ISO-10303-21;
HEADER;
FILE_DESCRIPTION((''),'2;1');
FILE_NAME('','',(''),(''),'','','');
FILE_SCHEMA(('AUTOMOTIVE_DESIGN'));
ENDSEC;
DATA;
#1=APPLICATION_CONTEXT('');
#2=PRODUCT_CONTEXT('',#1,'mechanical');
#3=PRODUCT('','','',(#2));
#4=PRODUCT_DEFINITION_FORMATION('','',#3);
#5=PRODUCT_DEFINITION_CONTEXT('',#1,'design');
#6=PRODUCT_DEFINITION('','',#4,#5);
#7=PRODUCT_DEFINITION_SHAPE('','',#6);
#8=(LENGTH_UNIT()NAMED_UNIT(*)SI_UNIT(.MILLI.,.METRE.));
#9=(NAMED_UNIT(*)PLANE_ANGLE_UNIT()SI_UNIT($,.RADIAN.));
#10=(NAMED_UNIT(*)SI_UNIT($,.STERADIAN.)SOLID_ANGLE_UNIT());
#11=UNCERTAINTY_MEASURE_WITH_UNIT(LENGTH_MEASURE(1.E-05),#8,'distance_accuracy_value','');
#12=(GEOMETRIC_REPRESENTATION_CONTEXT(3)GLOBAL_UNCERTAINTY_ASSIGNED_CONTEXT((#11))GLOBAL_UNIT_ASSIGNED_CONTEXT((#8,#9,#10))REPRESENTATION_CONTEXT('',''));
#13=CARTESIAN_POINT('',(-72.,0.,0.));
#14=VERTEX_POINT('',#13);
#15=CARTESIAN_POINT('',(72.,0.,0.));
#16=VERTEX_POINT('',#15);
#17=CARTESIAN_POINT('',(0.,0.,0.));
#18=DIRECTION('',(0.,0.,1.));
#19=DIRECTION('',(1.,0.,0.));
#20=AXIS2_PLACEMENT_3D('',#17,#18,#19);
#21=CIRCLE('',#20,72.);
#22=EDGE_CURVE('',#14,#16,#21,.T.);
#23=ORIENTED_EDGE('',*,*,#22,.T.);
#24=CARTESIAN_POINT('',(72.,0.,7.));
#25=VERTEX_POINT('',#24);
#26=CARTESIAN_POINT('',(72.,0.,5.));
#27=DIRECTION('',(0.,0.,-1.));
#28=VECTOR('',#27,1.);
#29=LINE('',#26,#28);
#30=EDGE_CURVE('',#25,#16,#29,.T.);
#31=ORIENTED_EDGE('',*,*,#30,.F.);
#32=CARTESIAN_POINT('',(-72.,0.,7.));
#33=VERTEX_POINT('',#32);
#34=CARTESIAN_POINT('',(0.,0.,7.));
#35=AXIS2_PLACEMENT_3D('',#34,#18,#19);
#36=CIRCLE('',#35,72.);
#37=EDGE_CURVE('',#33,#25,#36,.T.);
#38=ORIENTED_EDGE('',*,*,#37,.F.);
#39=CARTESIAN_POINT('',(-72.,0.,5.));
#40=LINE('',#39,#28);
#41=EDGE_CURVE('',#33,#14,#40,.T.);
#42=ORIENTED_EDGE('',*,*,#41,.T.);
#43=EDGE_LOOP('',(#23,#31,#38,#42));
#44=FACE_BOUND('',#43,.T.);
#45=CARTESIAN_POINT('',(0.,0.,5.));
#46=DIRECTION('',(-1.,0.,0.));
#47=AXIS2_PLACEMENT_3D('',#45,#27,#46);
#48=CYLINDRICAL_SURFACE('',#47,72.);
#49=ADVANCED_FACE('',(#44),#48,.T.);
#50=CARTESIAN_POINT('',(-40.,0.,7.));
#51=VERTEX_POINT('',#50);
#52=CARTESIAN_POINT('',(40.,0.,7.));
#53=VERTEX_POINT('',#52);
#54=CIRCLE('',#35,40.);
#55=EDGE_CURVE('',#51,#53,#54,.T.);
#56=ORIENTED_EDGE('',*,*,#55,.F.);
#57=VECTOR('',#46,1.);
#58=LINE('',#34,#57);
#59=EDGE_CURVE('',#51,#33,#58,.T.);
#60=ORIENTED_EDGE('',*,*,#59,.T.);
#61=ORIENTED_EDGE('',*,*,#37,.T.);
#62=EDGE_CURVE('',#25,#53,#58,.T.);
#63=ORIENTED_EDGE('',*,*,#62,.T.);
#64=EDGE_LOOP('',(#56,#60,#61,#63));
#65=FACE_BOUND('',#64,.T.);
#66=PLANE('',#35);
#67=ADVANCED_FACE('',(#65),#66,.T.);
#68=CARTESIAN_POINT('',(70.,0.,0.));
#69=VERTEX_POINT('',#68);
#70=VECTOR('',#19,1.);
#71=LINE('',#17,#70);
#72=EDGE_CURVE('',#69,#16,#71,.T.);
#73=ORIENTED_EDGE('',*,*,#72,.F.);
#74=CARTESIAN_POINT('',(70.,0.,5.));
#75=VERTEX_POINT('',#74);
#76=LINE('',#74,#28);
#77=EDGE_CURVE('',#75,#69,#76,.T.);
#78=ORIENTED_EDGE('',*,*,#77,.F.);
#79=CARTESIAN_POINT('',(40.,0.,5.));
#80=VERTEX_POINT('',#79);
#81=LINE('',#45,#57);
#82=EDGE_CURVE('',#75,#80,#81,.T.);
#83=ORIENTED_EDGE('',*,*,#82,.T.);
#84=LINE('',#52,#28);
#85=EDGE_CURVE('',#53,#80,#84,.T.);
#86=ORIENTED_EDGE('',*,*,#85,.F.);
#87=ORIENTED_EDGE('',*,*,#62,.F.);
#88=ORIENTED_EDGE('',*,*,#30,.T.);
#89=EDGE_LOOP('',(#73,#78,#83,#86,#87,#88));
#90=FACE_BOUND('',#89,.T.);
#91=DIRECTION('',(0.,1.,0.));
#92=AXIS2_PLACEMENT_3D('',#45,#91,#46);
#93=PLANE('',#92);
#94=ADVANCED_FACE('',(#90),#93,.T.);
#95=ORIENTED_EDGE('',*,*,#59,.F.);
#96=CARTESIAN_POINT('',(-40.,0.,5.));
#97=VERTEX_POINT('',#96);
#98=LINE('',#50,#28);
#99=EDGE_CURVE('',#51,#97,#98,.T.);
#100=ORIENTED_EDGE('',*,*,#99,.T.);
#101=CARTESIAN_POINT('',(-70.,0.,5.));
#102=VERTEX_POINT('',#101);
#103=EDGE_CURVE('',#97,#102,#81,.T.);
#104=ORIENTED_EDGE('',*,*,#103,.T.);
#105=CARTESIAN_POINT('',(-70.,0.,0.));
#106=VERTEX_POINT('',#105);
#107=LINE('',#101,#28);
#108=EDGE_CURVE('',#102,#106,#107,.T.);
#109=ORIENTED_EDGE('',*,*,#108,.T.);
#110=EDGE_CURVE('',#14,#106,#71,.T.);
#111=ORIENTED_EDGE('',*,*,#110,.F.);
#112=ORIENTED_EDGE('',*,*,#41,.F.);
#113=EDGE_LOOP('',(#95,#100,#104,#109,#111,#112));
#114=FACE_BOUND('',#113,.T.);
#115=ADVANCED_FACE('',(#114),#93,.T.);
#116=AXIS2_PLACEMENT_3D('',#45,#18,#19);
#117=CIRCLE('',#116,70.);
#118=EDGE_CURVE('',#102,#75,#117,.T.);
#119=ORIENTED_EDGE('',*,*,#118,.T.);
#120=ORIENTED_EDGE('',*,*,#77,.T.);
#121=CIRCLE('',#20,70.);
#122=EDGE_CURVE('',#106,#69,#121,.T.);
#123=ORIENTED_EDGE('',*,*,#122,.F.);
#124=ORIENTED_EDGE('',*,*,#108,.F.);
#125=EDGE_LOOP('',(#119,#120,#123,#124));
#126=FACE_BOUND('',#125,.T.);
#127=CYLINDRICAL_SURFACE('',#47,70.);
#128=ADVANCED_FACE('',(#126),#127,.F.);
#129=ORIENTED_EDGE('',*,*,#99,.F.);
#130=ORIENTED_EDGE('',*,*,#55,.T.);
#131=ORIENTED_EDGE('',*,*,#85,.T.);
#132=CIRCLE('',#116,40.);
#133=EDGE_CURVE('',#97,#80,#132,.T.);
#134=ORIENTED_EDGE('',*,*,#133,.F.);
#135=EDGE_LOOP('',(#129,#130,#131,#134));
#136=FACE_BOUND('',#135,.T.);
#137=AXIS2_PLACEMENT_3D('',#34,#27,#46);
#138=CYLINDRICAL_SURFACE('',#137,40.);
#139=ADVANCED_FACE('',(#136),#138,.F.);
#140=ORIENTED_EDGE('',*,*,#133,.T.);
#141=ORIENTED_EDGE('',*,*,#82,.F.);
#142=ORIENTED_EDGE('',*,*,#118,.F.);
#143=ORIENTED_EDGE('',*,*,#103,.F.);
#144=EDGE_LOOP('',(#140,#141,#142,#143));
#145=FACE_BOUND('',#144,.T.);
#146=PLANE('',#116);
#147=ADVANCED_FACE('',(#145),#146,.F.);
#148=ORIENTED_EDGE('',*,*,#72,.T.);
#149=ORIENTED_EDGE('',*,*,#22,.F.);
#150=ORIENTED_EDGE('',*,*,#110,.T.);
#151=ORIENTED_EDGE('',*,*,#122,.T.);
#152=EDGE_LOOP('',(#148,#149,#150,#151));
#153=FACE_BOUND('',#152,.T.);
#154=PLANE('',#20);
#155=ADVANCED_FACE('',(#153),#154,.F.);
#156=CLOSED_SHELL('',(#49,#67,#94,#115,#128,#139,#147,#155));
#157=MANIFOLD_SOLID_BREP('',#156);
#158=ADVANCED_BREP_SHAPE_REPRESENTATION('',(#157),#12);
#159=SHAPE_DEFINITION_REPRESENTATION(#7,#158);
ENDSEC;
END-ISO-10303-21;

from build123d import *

# Parameters (mm, degrees)
BOSS_EXTRUDE1_DEPTH = 5
BOSS_EXTRUDE2_DEPTH = 2


with BuildPart() as part:
    # Sketch1 → Boss-Extrude1 (new body)
    with BuildSketch(Plane.XY):
        with BuildLine():
            Line((72, 0), (70, 0))
            ThreePointArc((70, 0), (0, -70), (-70, 0))
            Line((-70, 0), (-72, 0))
            ThreePointArc((-72, 0), (0, -72), (72, 0))
        make_face()
    extrude(amount=BOSS_EXTRUDE1_DEPTH)

    # Sketch2 → Boss-Extrude2 (add)
    with BuildSketch(Plane.XY.offset(5)):
        with BuildLine():
            Line((72, 0), (70, 0))
            ThreePointArc((70, 0), (0, -70), (-70, 0))
            Line((-70, 0), (-72, 0))
            ThreePointArc((-72, 0), (0, -72), (72, 0))
        make_face()
        with BuildLine():
            Line((-40, 0), (-70, 0))
            ThreePointArc((-70, 0), (0, -70), (70, 0))
            Line((70, 0), (40, 0))
            ThreePointArc((40, 0), (0, -40), (-40, 0))
        make_face()
    extrude(amount=BOSS_EXTRUDE2_DEPTH)


solid = part.part
